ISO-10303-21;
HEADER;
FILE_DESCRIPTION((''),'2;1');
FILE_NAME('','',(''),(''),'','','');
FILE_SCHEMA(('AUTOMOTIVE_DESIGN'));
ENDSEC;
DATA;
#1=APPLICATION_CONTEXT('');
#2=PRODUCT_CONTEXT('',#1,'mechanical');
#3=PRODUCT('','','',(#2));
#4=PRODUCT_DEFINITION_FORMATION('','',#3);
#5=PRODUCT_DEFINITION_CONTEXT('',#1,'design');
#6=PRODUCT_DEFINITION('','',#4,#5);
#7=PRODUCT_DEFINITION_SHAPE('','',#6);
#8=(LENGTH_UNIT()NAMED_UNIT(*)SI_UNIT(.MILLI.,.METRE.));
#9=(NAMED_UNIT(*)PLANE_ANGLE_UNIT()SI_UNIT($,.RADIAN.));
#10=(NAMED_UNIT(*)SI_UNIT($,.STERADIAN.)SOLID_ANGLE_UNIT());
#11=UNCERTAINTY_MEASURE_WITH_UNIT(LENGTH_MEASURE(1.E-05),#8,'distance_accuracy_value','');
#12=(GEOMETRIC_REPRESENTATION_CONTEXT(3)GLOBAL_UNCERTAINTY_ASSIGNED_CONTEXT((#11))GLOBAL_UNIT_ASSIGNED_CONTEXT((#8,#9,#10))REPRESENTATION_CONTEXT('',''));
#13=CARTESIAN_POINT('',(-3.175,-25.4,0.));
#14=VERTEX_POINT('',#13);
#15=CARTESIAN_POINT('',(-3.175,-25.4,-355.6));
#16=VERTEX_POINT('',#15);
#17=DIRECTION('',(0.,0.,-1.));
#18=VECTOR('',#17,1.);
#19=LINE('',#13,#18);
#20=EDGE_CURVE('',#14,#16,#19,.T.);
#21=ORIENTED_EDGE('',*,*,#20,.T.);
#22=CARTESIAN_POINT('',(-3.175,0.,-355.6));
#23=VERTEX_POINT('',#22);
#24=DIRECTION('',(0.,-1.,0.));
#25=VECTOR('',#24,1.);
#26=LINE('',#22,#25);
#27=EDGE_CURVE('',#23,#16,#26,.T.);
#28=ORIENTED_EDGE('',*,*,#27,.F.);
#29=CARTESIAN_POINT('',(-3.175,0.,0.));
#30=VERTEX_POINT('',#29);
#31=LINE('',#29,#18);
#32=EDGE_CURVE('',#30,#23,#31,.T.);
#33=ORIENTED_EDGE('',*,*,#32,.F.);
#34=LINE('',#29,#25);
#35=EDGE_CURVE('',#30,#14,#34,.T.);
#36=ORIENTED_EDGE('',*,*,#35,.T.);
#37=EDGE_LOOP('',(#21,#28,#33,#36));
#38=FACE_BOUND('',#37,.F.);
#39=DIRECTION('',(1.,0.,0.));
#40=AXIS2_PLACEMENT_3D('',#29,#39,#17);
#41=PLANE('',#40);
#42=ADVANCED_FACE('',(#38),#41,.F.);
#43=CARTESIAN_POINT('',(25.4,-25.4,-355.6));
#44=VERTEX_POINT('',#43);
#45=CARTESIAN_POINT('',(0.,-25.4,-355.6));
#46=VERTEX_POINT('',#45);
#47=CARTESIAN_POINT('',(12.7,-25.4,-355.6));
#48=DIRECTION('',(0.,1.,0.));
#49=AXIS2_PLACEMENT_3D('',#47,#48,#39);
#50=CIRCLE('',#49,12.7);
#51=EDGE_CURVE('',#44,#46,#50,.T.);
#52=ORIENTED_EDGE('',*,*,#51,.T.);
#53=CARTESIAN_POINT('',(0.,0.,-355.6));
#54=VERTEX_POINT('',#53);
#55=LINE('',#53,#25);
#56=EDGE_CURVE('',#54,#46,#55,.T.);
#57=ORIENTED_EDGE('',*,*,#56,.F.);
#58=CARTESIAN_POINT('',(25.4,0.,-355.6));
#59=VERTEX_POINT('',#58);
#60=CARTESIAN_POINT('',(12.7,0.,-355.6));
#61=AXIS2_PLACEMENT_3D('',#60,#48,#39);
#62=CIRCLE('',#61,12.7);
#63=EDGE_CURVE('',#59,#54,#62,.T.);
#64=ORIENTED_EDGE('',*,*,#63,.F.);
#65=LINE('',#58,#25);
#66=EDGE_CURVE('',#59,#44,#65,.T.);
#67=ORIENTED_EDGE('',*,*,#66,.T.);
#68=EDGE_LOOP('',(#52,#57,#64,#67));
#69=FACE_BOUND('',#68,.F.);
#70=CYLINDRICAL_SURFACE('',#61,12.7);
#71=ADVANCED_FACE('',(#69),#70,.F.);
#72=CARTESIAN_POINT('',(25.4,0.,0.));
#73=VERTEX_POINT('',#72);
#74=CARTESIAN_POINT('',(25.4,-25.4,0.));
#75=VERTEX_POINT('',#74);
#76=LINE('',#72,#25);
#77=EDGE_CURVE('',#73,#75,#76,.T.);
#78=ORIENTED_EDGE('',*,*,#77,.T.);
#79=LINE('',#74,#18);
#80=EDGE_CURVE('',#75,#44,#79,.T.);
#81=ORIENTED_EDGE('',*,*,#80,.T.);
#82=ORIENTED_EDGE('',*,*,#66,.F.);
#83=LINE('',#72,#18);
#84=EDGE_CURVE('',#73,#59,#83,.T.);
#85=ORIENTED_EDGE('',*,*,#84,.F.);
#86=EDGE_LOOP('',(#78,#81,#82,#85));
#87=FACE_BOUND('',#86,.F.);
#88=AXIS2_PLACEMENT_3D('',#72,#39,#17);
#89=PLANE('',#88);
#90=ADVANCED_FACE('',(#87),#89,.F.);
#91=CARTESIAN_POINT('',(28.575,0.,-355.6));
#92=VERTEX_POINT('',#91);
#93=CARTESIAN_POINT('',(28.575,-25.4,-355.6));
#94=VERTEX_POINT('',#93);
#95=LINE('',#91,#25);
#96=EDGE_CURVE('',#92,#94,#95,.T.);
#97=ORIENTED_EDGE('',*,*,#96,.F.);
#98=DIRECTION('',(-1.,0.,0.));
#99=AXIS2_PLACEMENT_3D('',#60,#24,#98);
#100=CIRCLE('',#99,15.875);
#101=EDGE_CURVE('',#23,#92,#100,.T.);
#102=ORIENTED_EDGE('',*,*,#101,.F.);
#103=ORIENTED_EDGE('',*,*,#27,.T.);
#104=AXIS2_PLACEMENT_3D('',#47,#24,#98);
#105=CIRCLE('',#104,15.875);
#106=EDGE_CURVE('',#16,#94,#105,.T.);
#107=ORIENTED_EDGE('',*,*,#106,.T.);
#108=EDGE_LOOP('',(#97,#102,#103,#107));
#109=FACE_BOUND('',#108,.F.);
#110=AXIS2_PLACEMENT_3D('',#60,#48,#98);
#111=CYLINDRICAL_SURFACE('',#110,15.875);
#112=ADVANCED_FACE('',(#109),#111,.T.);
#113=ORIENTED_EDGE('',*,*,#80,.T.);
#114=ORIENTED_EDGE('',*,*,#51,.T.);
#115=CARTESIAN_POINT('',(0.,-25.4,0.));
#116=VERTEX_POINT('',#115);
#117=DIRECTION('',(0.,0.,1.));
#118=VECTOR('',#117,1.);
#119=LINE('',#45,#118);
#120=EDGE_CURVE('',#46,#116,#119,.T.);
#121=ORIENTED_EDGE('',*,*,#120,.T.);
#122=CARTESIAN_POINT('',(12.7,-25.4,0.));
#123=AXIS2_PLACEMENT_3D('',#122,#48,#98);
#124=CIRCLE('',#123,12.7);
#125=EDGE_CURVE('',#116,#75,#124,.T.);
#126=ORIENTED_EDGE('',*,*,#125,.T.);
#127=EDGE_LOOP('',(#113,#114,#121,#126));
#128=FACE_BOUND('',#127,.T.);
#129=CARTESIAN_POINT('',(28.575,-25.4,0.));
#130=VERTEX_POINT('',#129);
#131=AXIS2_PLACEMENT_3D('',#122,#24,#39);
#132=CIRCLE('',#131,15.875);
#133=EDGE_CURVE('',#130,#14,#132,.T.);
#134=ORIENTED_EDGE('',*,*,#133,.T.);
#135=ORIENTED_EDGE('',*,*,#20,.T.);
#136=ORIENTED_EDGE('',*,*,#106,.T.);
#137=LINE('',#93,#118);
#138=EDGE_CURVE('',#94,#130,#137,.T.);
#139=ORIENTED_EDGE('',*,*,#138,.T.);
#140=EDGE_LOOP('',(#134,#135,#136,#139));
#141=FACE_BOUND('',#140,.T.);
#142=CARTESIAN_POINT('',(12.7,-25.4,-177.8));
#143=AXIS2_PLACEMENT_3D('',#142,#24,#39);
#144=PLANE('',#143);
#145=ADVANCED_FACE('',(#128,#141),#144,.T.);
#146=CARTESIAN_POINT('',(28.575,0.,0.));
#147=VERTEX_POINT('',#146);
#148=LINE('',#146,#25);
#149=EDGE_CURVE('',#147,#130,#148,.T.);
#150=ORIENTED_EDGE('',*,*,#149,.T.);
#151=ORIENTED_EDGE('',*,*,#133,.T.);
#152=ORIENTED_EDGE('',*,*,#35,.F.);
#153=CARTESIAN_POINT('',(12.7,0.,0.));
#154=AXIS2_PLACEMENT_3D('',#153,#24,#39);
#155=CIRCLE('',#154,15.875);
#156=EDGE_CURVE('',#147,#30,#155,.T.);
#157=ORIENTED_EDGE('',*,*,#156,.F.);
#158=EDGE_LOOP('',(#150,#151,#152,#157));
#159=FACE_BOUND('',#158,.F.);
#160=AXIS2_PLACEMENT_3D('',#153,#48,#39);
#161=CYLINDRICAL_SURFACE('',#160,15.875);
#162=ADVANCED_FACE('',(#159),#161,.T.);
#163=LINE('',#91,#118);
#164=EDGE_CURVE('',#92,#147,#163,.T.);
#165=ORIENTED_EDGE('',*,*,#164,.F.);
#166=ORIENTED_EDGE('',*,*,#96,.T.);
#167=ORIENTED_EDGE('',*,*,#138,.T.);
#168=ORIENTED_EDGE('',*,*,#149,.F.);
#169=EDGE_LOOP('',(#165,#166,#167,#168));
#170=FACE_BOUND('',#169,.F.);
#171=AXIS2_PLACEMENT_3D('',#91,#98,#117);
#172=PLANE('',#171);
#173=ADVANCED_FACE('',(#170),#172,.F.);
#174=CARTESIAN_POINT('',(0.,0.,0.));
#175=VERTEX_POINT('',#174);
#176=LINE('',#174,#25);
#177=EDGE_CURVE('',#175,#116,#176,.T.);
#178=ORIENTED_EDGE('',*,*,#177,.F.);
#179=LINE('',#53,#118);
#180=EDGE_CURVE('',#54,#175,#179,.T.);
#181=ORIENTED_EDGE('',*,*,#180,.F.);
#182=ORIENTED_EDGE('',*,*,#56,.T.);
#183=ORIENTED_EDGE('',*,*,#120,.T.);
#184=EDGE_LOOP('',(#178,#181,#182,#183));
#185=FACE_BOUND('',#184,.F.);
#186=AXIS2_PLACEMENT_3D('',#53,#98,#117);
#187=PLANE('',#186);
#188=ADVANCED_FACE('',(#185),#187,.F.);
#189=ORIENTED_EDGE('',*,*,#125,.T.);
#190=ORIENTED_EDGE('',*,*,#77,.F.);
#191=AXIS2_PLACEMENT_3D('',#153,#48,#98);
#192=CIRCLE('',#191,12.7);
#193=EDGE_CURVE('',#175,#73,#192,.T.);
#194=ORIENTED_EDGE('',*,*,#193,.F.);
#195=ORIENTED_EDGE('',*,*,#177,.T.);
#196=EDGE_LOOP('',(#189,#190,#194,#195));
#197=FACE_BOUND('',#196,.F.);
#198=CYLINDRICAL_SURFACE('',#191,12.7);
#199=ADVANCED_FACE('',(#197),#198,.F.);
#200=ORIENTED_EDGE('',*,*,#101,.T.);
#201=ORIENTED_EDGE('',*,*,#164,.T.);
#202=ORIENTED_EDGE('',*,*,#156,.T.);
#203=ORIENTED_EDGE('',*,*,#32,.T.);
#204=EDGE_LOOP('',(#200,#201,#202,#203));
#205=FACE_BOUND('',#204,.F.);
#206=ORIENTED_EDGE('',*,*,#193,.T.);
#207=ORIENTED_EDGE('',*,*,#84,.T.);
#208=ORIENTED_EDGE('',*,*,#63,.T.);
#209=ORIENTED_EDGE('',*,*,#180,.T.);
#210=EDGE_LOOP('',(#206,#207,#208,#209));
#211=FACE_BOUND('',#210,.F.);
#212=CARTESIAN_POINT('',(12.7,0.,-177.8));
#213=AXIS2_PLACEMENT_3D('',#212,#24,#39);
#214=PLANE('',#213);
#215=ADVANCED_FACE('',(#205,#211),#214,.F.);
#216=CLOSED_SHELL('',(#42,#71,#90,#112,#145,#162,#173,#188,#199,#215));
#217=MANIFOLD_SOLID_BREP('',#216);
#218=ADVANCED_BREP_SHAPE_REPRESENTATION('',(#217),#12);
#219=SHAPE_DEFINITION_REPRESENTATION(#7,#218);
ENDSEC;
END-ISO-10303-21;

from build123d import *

# Parameters (mm, degrees)
F1_DEPTH = 25.4


with BuildPart() as f1:
    # F0 (on Front) → F1 (new body)
    with BuildSketch(Plane.XZ):
        with BuildLine():
            Line((28.575, -355.6), (28.575, 0))
            ThreePointArc((28.575, 0), (12.7, 15.875), (-3.175, 0))
            Line((-3.175, 0), (-3.175, -355.6))
            ThreePointArc((-3.175, -355.6), (12.7, -371.475), (28.575, -355.6))
        make_face()
        with BuildLine():
            Line((0, -355.6), (0, 0))
            ThreePointArc((0, 0), (12.7, 12.7), (25.4, 0))
            Line((25.4, 0), (25.4, -355.6))
            ThreePointArc((25.4, -355.6), (12.7, -368.3), (0, -355.6))
        make_face(mode=Mode.SUBTRACT)
    extrude(amount=F1_DEPTH)


solid = f1.part
